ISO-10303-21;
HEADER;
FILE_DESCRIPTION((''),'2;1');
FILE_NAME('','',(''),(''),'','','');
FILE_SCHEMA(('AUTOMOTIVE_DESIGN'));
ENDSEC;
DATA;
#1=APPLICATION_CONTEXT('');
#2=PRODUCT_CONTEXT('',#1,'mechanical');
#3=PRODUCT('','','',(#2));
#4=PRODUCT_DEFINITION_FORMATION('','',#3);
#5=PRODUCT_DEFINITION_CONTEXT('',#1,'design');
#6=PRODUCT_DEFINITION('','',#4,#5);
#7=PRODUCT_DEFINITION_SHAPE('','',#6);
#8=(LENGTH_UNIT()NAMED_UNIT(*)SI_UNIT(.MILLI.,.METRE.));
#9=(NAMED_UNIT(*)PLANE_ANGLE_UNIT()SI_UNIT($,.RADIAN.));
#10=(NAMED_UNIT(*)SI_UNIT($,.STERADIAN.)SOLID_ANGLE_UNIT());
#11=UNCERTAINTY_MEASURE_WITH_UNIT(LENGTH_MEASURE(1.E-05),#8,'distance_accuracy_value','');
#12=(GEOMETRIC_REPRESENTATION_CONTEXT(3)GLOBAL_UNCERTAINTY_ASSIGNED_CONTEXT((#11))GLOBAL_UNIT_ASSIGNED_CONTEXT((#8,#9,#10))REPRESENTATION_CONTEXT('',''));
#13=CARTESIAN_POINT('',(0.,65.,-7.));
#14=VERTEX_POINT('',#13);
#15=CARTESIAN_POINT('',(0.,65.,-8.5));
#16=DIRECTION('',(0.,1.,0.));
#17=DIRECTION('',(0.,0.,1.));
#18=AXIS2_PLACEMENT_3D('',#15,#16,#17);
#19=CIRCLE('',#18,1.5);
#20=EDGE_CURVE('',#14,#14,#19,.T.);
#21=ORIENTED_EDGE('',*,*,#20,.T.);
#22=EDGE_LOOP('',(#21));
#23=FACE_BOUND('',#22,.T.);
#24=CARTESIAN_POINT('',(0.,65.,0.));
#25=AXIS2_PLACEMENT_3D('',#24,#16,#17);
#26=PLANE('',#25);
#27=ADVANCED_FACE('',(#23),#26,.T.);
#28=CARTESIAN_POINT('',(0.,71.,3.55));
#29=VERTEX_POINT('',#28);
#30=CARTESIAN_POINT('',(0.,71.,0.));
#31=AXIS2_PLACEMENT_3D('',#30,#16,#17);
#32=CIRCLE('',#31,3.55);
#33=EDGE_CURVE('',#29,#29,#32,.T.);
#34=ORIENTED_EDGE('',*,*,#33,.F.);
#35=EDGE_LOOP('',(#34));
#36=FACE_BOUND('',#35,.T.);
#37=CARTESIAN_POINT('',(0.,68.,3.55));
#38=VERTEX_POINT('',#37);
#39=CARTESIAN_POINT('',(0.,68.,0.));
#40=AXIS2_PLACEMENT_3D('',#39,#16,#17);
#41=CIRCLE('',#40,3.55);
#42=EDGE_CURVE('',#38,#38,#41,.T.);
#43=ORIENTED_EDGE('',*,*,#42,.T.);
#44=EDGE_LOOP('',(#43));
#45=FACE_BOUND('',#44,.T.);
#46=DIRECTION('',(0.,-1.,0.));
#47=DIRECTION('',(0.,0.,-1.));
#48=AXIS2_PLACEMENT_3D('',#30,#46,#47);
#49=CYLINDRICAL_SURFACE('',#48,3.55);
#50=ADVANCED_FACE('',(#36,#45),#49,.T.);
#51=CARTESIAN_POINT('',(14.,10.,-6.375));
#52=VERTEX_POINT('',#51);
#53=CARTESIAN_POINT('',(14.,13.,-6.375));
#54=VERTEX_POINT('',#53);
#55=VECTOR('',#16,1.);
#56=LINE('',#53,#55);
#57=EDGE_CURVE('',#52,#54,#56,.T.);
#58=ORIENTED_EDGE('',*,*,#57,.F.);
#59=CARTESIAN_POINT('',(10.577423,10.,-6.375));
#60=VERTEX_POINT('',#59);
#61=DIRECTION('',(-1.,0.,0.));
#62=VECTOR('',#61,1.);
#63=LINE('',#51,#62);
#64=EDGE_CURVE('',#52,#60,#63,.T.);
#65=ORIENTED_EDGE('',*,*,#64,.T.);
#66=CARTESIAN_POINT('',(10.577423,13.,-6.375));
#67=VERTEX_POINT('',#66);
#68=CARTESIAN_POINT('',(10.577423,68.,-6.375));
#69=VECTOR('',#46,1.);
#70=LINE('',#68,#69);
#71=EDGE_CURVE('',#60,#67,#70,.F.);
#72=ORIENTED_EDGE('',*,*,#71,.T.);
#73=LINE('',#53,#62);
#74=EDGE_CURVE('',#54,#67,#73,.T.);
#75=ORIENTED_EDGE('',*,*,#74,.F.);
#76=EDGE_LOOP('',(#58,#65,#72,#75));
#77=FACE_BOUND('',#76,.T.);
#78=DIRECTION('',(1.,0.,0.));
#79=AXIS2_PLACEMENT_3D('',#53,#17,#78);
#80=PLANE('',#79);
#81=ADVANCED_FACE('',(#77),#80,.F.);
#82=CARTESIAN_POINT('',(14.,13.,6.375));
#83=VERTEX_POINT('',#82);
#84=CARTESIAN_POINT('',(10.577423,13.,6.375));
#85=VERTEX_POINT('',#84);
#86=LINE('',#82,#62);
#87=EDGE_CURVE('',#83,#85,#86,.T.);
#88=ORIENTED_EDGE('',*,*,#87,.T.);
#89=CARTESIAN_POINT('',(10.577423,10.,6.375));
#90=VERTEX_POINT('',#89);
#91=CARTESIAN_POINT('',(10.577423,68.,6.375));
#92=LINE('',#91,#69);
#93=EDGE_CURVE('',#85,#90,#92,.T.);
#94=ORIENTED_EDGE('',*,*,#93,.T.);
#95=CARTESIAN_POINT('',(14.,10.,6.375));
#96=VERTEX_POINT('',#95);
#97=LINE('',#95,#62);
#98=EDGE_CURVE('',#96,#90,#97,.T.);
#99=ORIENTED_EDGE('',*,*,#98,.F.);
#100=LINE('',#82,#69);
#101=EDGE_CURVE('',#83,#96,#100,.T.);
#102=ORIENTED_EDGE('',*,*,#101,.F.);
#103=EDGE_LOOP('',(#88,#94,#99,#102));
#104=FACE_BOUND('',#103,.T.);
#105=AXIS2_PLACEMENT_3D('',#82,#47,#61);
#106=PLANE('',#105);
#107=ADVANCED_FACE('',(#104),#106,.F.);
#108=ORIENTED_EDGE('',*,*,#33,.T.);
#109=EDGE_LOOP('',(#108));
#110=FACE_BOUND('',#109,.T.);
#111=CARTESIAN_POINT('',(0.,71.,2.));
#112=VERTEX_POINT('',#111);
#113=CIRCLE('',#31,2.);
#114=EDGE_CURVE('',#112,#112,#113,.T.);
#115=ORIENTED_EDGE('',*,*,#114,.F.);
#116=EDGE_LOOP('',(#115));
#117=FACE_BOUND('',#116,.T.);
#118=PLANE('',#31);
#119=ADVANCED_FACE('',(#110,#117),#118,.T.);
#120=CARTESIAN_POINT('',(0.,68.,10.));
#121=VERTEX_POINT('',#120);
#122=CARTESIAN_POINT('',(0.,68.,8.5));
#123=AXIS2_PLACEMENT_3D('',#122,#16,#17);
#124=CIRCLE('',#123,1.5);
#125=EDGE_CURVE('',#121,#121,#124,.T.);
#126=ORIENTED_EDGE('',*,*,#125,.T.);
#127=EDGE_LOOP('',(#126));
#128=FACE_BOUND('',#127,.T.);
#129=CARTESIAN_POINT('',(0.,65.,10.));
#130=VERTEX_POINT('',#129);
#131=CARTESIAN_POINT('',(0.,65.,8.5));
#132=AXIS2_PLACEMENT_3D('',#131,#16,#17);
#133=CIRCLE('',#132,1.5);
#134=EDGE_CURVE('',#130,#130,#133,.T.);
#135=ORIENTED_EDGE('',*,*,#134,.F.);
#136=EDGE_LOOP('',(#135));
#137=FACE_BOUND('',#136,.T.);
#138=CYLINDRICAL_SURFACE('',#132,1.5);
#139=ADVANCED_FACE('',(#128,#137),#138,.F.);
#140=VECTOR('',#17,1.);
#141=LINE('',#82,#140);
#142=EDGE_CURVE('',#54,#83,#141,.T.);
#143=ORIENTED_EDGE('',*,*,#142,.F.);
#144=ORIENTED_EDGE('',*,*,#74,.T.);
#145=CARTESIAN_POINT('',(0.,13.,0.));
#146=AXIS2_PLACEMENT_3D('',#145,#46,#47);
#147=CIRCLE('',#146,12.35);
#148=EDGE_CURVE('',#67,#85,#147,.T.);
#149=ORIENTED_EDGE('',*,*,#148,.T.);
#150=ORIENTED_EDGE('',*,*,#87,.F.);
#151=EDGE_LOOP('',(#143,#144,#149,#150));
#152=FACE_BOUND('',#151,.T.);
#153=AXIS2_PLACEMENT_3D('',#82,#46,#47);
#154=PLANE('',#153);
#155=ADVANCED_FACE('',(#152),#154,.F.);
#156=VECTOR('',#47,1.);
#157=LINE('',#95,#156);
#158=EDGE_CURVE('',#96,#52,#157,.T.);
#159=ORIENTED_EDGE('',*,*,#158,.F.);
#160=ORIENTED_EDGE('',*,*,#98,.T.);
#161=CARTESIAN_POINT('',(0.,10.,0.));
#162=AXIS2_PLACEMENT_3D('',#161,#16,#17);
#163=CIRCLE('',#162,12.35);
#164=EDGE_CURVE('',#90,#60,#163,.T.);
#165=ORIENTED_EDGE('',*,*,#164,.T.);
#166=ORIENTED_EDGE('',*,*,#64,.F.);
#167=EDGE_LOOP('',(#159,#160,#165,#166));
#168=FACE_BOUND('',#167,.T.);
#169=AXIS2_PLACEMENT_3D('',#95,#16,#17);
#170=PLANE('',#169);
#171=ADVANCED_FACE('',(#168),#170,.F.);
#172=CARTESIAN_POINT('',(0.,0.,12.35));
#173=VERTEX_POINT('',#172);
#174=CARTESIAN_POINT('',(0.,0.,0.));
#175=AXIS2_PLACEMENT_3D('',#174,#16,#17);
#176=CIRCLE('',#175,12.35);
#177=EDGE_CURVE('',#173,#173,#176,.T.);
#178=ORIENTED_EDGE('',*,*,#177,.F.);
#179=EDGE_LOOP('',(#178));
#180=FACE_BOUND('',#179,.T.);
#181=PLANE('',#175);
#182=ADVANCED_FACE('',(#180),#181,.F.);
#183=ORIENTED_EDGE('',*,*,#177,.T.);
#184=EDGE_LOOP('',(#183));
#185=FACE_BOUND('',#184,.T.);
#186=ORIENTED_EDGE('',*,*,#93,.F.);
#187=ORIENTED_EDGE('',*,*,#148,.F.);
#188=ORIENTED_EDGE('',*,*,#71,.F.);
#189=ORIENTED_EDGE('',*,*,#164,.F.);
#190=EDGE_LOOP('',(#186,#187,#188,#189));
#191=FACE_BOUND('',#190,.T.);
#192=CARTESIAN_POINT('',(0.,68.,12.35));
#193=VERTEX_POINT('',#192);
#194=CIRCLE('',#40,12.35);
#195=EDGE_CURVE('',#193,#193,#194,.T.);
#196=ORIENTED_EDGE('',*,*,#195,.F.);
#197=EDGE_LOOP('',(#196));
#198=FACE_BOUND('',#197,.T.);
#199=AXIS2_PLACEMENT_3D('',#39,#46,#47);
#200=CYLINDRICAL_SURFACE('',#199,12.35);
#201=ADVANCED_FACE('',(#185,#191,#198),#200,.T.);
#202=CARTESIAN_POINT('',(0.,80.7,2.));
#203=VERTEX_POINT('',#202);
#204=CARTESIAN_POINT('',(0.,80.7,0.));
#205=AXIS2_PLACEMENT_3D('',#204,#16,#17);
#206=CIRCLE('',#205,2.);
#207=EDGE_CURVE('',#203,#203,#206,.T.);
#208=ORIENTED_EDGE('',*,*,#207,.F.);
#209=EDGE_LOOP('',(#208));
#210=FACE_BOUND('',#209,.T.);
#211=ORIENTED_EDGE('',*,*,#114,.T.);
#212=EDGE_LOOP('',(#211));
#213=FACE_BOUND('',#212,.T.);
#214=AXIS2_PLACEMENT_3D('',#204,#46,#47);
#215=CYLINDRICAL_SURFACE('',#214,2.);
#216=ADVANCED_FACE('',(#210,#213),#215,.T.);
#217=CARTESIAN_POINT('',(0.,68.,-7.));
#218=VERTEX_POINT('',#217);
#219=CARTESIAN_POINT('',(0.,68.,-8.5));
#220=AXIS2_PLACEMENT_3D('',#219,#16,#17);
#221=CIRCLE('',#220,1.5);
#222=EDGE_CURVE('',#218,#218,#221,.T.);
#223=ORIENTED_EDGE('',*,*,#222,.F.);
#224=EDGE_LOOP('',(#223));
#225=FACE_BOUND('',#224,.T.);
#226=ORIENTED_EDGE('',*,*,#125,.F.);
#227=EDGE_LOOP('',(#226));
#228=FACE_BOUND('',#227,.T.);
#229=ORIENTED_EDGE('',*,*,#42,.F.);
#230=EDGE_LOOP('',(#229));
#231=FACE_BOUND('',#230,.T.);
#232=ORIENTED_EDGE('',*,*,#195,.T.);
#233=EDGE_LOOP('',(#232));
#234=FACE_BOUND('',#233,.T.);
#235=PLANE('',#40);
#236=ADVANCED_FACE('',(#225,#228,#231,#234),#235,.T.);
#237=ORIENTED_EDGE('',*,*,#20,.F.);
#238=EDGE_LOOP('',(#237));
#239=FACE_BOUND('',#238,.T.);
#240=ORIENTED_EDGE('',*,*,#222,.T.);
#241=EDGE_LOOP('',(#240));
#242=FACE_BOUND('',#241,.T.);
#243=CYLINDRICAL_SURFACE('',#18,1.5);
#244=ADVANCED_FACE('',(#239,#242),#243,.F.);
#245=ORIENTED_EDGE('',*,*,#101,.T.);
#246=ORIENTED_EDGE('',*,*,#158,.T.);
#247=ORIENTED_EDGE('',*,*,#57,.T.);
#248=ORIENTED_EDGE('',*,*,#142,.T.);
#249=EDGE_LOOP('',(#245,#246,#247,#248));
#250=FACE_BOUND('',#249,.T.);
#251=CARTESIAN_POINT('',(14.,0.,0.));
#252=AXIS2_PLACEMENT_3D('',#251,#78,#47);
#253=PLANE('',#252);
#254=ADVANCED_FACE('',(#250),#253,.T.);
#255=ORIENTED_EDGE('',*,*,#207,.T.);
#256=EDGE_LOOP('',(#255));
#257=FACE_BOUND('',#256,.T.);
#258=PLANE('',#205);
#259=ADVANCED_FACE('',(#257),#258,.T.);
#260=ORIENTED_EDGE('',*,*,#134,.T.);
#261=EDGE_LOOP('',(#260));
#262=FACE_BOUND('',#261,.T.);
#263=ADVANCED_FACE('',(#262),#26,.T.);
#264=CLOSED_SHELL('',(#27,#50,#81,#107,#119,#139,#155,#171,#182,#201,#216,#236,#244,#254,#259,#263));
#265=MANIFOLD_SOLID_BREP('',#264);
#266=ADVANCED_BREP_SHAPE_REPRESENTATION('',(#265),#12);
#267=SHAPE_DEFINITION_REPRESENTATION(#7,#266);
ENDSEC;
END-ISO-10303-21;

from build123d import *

# Parameters (mm, degrees)
SKETCH1_R           = 12.35
BOSS_EXTRUDE1_DEPTH = 68
SKETCH2_R           = 3.55
BOSS_EXTRUDE2_DEPTH = 3
SKETCH3_R           = 2
BOSS_EXTRUDE3_DEPTH = 9.7
SKETCH5_W           = 12.75
SKETCH5_H           = 3
BOSS_EXTRUDE4_DEPTH = 14
SKETCH4_R           = 1.5
CUT_EXTRUDE1_DEPTH  = 3


with BuildPart() as part:
    # Sketch1 → Boss-Extrude1 (new body)
    with BuildSketch(Plane(origin=(0, 0, 0), x_dir=(1, 0, 0), z_dir=(0, 1, 0))):
        Circle(SKETCH1_R)
    extrude(amount=BOSS_EXTRUDE1_DEPTH)

    # Sketch2 → Boss-Extrude2 (add)
    with BuildSketch(Plane(origin=(0, 68, 0), x_dir=(1, 0, 0), z_dir=(0, 1, 0))):
        Circle(SKETCH2_R)
    extrude(amount=BOSS_EXTRUDE2_DEPTH)

    # Sketch3 → Boss-Extrude3 (add)
    with BuildSketch(Plane(origin=(0, 71, 0), x_dir=(1, 0, 0), z_dir=(0, 1, 0))):
        Circle(SKETCH3_R)
    extrude(amount=BOSS_EXTRUDE3_DEPTH)

    # Sketch5 → Boss-Extrude4 (add)
    with BuildSketch(Plane(origin=(0, 0, 0), x_dir=(0, 0, -1), z_dir=(1, 0, 0))):
        with Locations((0, 11.5)):
            Rectangle(SKETCH5_W, SKETCH5_H)
    extrude(amount=BOSS_EXTRUDE4_DEPTH)

    # Sketch4 → Cut-Extrude1 (cut)
    with BuildSketch(Plane(origin=(0, 68, 0), x_dir=(1, 0, 0), z_dir=(0, 1, 0))):
        with Locations((0, 8.5)):
            Circle(SKETCH4_R)
        with Locations((0, -8.5)):
            Circle(SKETCH4_R)
    extrude(amount=-CUT_EXTRUDE1_DEPTH, mode=Mode.SUBTRACT)


solid = part.part
